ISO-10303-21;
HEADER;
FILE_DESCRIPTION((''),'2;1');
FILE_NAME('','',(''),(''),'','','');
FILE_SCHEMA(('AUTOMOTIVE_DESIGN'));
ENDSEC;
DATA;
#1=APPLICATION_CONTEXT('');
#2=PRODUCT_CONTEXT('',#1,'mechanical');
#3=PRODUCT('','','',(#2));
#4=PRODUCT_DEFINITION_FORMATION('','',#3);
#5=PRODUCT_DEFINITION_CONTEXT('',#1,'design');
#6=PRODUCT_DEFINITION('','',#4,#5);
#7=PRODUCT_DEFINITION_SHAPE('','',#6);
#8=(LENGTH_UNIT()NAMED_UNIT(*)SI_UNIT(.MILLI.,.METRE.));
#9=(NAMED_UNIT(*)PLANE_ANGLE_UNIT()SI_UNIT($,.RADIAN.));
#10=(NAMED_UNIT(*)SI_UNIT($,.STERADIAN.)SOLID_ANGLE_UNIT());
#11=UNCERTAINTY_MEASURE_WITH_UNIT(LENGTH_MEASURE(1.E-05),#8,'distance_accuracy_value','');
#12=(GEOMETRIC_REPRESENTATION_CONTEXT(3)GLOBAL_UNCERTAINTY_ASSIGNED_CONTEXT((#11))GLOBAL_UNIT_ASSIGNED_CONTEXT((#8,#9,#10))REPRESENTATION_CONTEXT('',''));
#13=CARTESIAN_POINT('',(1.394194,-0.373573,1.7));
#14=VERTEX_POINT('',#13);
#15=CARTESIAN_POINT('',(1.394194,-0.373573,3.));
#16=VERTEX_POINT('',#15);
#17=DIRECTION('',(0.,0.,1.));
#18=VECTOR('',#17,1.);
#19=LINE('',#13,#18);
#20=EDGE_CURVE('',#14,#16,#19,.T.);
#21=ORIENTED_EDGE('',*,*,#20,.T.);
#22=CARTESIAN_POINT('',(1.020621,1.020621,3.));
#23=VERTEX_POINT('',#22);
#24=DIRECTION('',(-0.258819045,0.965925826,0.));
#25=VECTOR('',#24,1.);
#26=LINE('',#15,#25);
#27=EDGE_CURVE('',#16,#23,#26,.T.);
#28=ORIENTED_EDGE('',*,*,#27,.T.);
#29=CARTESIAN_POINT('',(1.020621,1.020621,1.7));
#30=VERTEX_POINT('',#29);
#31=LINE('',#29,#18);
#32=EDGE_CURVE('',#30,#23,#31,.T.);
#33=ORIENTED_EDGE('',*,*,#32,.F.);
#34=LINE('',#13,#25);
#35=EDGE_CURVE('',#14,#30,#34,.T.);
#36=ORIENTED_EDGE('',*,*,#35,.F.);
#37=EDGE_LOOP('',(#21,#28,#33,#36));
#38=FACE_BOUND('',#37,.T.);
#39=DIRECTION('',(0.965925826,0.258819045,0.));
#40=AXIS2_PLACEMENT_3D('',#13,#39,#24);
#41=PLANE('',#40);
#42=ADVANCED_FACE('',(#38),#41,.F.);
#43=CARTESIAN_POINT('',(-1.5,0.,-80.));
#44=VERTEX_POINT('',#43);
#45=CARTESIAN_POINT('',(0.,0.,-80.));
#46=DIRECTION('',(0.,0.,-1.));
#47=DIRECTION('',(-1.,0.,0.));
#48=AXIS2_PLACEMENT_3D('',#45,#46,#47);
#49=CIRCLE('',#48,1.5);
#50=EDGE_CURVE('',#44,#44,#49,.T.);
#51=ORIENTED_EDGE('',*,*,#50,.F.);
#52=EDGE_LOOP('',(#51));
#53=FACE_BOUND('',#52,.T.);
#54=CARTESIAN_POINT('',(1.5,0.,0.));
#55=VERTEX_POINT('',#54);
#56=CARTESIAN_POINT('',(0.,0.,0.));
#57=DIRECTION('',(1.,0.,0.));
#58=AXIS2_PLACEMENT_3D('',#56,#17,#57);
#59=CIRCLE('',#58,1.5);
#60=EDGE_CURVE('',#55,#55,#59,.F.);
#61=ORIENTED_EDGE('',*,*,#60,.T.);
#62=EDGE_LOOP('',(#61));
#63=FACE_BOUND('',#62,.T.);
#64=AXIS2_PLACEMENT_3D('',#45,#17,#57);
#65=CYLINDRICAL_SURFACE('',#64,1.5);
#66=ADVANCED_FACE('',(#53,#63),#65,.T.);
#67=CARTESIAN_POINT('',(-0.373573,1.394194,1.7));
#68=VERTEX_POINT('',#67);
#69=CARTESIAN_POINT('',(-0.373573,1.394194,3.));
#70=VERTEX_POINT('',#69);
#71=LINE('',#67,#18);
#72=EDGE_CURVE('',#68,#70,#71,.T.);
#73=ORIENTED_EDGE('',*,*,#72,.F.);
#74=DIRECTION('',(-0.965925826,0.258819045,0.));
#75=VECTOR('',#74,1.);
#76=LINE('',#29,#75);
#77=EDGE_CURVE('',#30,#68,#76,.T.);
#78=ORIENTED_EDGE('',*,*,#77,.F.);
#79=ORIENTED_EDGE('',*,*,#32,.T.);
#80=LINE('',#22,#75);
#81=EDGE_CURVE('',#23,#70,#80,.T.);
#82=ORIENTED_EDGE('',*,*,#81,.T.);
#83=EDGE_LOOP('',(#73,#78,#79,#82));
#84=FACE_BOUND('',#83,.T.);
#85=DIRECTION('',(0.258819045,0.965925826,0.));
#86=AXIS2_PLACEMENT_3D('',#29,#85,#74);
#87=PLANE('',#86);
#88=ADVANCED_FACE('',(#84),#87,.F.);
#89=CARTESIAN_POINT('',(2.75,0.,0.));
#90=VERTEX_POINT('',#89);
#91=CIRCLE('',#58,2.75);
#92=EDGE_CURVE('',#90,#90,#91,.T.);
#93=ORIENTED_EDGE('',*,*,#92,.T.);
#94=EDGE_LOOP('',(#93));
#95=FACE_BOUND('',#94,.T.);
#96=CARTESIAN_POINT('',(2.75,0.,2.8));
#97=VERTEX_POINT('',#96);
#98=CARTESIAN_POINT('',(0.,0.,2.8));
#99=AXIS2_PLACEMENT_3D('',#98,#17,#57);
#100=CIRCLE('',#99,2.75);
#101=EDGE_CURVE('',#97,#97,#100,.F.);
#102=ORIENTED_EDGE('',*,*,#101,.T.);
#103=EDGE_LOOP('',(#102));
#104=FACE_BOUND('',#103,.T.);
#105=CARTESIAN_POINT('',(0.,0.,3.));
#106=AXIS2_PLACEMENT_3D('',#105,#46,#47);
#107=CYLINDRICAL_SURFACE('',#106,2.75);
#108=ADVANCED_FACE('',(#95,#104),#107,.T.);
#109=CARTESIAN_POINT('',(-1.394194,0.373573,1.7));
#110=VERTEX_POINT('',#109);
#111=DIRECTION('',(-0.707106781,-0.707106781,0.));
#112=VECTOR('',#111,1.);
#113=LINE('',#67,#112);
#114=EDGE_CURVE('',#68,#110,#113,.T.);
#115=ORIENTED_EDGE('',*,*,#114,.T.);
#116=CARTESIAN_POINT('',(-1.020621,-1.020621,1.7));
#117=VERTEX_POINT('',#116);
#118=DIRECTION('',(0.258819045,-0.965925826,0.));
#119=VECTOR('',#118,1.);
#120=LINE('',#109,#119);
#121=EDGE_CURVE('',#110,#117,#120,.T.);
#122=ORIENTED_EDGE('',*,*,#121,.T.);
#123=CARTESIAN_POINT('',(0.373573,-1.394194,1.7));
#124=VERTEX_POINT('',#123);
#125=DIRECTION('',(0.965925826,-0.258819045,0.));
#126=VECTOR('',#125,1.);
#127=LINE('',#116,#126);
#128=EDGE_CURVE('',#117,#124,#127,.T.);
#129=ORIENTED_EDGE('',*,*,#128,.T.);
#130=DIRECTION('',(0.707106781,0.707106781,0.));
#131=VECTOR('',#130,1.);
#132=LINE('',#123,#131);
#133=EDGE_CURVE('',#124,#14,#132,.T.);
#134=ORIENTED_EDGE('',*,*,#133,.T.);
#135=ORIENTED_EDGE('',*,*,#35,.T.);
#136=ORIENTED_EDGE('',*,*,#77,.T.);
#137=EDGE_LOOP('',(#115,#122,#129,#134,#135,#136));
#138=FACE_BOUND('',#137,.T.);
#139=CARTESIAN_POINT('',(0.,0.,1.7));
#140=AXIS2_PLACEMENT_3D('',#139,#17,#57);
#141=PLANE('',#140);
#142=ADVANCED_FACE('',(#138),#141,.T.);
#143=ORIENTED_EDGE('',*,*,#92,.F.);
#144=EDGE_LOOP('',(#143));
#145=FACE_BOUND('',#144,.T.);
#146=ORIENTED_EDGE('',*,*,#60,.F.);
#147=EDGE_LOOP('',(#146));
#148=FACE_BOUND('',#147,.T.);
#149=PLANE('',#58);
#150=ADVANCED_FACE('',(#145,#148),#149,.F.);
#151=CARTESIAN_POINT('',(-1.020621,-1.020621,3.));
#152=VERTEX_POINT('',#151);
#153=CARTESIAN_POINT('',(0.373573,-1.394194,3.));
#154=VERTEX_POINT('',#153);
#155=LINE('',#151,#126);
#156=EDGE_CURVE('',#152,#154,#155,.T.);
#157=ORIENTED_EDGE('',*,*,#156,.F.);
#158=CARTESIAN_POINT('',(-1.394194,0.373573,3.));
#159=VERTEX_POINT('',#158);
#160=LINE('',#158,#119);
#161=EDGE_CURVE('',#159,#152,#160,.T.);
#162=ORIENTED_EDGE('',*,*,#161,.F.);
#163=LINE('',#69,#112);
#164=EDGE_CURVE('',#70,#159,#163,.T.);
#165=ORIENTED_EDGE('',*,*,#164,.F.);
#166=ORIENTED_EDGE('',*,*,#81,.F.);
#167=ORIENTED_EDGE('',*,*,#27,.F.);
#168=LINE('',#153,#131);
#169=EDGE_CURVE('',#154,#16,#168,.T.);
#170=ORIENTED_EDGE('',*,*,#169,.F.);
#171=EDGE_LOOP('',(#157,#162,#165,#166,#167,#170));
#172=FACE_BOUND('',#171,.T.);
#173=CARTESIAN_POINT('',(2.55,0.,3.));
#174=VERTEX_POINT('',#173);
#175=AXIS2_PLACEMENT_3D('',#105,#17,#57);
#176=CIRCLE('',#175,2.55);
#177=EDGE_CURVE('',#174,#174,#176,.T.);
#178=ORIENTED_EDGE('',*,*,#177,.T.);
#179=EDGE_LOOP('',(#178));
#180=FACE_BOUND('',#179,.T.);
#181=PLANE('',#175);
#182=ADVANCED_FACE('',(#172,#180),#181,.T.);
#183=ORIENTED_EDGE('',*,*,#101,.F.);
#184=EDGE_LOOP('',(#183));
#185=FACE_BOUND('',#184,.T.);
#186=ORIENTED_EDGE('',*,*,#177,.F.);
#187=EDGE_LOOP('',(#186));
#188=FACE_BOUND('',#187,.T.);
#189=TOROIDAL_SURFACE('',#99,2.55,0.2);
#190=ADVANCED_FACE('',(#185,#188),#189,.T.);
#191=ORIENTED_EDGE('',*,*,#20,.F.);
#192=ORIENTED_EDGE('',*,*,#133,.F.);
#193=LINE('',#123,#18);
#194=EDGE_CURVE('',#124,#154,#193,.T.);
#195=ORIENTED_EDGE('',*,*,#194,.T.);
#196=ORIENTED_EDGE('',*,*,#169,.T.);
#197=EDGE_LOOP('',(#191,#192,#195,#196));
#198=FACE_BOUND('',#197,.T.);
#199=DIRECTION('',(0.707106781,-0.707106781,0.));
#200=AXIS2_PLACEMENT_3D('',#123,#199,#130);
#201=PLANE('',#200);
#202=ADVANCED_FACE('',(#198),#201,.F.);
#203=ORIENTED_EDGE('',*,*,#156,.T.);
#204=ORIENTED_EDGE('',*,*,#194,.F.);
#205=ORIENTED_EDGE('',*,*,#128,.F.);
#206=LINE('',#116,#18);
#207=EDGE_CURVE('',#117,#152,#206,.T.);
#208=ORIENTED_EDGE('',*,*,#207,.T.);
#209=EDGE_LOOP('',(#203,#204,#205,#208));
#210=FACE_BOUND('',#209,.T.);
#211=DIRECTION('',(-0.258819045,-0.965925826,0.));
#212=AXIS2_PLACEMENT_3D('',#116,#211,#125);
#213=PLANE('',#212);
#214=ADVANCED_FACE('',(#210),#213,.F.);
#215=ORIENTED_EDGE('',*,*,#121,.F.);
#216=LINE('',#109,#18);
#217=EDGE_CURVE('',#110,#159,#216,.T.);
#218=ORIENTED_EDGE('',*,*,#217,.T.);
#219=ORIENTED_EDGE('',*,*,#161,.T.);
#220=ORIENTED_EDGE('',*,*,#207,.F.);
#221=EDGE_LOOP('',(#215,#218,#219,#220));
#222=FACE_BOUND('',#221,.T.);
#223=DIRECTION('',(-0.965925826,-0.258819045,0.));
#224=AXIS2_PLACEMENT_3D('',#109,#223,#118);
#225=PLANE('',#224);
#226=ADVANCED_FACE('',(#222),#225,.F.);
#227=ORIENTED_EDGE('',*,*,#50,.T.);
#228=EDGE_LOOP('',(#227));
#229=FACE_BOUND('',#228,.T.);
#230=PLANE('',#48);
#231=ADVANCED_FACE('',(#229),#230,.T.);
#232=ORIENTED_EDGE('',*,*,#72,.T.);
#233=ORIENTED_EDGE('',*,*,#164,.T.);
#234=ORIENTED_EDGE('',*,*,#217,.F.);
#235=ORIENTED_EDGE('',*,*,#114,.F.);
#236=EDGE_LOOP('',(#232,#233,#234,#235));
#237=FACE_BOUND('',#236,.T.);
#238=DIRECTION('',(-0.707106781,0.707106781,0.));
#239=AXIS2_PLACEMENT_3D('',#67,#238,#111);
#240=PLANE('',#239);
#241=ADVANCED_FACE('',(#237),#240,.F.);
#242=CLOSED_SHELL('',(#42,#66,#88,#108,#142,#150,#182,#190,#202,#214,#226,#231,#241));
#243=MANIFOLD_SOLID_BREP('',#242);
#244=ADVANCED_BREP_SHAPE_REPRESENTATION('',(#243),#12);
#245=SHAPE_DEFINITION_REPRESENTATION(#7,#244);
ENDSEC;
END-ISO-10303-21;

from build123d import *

# Parameters (mm, degrees)
SKETCH_1_R          = 2.75
EXTRUDE_1_DEPTH     = 3
CUT_EXTRUDE_1_DEPTH = 1.3
SKETCH_3_R          = 1.5
EXTRUDE_2_DEPTH     = 80
FILLET_1_R          = 0.2


with BuildPart() as part:
    # 草图1 → 凸台-拉伸1 (new body)
    with BuildSketch(Plane.XY):
        Circle(SKETCH_1_R)
    extrude(amount=EXTRUDE_1_DEPTH)

    # 草图2 → 切除-拉伸1 (cut)
    with BuildSketch(Plane.XY.offset(3)):
        Polygon((-1.020620726, -1.020620726), (0.373573113, -1.39419384), (1.39419384, -0.373573113), (1.020620726, 1.020620726), (-0.373573113, 1.39419384), (-1.39419384, 0.373573113), align=None)
    extrude(amount=-CUT_EXTRUDE_1_DEPTH, mode=Mode.SUBTRACT)

    # 草图3 → 凸台-拉伸2 (add)
    with BuildSketch(Plane(origin=(0, 0, 0), x_dir=(-1, 0, 0), z_dir=(0, 0, -1))):
        with Locations(Location((0, 0, 0), (0, 0, 180))):
            Circle(SKETCH_3_R)
    extrude(amount=EXTRUDE_2_DEPTH)

    # 圆角1
    fillet_1_edges = [part.edges().sort_by_distance(p)[0] for p in [
        (-2.75, 0, 3),
    ]]
    fillet(fillet_1_edges, radius=FILLET_1_R)


solid = part.part
